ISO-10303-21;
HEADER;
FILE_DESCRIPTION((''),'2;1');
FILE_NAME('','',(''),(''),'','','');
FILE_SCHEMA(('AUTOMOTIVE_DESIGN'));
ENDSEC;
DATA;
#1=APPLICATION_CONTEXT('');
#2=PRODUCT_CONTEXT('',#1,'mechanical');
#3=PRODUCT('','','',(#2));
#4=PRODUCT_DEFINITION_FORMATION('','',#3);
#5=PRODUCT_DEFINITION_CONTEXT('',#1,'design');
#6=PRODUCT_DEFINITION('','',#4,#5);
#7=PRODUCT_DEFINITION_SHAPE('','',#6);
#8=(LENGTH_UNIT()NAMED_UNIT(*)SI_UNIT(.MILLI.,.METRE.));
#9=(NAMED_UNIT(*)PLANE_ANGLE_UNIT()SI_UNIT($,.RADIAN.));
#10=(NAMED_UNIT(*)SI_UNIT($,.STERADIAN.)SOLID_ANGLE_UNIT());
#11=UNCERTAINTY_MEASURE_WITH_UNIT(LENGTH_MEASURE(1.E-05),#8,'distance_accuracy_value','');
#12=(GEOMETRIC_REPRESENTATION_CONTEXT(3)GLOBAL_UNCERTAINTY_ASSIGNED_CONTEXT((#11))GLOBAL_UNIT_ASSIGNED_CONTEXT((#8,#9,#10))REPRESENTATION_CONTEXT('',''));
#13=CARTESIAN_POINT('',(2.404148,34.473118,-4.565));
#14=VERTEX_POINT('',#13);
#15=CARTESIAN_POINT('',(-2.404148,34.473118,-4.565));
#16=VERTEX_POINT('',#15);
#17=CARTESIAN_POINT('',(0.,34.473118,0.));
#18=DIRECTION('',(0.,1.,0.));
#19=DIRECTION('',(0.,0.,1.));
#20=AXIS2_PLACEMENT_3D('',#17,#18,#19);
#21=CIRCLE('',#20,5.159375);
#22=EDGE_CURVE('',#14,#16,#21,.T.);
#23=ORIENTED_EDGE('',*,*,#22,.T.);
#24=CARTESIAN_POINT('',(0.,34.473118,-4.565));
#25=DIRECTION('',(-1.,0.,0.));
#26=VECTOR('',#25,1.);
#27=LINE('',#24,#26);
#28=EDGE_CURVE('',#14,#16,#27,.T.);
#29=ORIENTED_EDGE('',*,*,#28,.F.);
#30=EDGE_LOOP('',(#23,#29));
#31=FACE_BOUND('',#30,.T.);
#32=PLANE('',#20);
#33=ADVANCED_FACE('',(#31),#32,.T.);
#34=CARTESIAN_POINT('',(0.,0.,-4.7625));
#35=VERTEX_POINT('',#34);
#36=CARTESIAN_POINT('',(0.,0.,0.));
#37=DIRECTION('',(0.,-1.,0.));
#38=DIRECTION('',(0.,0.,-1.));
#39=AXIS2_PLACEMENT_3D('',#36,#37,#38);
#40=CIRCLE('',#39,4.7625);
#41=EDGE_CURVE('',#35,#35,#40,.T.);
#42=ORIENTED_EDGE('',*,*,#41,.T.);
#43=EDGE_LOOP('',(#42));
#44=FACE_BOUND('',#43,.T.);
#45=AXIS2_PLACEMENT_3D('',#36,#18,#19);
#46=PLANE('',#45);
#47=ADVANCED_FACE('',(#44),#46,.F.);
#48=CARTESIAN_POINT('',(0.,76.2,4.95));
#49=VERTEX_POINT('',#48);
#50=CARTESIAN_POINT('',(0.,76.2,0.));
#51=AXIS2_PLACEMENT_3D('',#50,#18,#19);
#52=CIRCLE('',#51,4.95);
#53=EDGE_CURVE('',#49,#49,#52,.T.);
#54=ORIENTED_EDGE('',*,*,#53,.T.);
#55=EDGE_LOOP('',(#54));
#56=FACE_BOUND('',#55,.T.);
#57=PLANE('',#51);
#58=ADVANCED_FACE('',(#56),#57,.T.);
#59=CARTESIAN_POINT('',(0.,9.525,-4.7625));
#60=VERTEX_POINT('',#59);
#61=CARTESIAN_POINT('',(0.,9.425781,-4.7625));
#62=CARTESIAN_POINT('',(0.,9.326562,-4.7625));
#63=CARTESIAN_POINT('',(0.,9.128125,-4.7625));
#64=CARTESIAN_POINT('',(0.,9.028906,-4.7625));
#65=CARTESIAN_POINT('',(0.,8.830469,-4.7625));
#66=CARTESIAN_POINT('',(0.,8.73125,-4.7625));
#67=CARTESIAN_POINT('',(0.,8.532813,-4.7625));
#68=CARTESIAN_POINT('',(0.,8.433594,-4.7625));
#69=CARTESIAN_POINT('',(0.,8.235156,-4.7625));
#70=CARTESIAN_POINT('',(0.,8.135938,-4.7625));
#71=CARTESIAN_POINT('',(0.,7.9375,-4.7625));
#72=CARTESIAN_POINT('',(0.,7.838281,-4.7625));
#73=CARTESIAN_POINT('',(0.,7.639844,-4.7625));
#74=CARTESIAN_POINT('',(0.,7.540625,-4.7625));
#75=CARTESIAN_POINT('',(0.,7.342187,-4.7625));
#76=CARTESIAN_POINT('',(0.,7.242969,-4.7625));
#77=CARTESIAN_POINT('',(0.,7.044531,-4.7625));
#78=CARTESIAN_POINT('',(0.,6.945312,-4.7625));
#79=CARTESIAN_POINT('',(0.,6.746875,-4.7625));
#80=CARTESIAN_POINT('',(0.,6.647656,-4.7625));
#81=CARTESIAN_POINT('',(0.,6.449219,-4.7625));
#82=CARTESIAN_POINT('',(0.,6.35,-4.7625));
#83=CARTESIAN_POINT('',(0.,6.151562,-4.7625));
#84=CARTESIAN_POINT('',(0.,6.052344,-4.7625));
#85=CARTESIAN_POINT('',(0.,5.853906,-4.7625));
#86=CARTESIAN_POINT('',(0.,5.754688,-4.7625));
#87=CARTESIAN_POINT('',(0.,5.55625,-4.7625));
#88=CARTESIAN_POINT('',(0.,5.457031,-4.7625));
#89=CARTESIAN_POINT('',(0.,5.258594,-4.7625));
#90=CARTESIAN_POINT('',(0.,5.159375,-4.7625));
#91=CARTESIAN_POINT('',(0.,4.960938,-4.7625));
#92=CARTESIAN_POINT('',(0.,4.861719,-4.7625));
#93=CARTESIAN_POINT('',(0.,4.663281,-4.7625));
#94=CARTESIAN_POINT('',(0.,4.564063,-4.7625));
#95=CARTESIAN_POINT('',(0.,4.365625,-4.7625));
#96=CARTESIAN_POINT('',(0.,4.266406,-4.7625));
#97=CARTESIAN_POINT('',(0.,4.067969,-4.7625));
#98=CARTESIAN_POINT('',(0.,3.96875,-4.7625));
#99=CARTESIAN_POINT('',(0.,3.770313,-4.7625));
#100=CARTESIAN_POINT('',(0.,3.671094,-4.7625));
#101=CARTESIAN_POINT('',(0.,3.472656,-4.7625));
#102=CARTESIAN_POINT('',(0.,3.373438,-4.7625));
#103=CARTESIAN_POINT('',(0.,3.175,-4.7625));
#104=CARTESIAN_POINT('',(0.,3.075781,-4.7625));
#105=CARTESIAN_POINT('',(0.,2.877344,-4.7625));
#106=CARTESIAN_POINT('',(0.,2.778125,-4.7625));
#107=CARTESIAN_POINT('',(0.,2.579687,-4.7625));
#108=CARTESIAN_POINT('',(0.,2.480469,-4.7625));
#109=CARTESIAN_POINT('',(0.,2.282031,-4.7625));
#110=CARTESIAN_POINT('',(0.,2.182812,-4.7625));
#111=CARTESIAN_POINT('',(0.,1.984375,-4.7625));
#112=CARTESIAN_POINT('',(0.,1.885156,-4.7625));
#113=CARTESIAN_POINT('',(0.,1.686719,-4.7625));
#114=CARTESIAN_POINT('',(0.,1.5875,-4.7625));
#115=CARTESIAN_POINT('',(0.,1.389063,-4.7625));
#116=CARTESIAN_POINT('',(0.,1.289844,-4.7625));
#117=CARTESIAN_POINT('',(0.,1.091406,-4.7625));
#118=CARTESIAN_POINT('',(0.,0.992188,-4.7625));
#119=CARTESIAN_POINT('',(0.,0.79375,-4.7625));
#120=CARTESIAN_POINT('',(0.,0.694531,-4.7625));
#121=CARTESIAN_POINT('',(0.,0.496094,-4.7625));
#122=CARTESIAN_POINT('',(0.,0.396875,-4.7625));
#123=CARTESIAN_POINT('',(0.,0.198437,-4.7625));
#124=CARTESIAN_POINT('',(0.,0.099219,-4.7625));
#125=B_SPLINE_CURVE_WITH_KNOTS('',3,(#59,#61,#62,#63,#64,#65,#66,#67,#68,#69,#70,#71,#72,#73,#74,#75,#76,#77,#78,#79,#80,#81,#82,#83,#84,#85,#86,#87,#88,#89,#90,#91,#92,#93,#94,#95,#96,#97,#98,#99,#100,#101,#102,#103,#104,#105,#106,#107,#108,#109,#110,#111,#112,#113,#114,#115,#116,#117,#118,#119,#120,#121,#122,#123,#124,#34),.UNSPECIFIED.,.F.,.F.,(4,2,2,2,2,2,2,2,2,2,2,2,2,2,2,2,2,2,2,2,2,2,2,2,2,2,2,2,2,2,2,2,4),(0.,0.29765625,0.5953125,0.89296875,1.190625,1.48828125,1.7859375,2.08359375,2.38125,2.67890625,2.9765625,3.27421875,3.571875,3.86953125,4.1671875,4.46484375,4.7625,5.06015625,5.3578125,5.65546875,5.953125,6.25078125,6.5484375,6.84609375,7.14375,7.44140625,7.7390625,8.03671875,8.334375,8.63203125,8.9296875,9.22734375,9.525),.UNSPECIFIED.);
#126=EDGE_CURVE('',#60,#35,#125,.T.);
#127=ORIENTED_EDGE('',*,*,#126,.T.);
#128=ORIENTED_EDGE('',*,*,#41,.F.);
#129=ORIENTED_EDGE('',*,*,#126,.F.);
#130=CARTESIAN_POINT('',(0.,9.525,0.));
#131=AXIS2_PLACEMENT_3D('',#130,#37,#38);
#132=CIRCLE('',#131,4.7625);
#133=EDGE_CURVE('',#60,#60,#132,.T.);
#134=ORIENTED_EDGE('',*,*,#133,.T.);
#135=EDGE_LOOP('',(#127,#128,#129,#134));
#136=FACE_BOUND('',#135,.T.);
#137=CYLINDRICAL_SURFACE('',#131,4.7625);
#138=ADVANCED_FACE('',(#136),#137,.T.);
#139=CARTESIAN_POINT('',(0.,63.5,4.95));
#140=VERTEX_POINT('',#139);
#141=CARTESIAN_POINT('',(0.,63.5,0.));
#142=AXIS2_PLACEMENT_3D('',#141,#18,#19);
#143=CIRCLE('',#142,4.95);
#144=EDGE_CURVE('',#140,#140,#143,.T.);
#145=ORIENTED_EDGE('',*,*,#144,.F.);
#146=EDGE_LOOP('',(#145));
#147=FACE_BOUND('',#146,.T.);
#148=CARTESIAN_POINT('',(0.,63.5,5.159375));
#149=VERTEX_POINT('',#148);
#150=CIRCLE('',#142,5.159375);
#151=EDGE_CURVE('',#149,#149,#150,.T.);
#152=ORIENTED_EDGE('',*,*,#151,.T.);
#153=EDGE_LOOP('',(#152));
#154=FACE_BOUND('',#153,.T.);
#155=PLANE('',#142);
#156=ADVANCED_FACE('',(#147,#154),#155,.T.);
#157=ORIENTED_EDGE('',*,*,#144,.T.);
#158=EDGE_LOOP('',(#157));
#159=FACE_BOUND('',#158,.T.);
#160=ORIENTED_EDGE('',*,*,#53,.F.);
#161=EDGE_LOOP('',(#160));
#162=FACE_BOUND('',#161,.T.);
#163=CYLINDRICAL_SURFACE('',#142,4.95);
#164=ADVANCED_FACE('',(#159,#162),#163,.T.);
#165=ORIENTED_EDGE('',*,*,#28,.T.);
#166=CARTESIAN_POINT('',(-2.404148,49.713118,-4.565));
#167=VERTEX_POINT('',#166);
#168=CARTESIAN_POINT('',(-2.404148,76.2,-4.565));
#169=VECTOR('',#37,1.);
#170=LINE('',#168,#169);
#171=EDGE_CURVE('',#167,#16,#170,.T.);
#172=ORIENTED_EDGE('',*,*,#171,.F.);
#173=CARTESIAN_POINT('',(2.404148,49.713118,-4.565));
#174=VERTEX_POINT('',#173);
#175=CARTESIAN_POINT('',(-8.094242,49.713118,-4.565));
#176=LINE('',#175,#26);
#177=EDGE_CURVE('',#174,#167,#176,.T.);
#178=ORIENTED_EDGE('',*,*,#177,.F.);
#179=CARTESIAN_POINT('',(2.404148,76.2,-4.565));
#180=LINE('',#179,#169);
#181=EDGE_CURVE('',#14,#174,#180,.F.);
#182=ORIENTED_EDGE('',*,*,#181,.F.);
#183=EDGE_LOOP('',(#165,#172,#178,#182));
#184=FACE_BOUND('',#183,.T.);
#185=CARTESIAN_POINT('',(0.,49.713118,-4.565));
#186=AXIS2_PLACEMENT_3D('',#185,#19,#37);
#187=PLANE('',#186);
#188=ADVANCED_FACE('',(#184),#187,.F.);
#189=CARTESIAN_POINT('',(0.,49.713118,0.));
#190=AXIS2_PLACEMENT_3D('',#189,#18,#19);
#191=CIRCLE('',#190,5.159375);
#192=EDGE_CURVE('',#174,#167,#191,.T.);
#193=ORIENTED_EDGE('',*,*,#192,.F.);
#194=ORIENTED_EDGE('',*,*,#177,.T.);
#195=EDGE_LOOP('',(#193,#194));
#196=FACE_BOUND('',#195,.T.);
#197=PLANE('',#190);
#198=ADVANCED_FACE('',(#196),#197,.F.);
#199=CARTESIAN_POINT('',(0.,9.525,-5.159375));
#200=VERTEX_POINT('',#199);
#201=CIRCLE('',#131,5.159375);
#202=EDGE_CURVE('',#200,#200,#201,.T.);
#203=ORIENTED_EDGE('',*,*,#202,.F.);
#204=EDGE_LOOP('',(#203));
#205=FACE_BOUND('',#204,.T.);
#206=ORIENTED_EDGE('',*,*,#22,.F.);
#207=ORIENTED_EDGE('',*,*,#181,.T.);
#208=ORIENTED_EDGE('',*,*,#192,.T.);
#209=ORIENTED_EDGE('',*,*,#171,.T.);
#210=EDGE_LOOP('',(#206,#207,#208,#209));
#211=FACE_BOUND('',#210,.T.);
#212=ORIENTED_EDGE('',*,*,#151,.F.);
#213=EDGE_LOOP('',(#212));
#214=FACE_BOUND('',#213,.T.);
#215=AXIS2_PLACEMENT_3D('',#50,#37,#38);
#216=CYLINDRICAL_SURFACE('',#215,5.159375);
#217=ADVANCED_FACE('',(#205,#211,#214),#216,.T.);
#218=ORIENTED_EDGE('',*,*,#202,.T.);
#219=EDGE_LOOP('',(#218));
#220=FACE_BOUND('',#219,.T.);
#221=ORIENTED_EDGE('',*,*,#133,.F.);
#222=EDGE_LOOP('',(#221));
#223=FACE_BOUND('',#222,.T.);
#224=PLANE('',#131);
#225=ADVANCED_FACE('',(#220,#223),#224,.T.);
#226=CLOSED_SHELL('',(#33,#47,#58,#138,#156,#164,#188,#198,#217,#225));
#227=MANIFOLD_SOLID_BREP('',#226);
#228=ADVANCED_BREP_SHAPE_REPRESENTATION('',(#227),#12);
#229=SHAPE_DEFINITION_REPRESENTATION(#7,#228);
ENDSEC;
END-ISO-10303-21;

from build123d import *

# Parameters (mm, degrees)
SKETCH1_R           = 5.159375
BOSS_EXTRUDE1_DEPTH = 76.2
SKETCH2_R           = 5.582507509
SKETCH2_R_2         = 4.95
CUT_EXTRUDE1_DEPTH  = 12.7
CUT_EXTRUDE2_DEPTH  = 15.24
SKETCH5_R           = 6.855394903
SKETCH5_R_2         = 4.7625
CUT_EXTRUDE3_DEPTH  = 9.525


with BuildPart() as part:
    # Sketch1 → Boss-Extrude1 (new body)
    with BuildSketch(Plane(origin=(0, 0, 0), x_dir=(1, 0, 0), z_dir=(0, 1, 0))):
        with Locations(Location((0, 0, 0), (0, 0, 90))):
            Circle(SKETCH1_R)
    extrude(amount=BOSS_EXTRUDE1_DEPTH)

    # Sketch2 → Cut-Extrude1 (cut)
    with BuildSketch(Plane(origin=(0, 76.2, 0), x_dir=(1, 0, 0), z_dir=(0, 1, 0))):
        Circle(SKETCH2_R)
        with Locations(Location((0, 0, 0), (0, 0, 270))):
            Circle(SKETCH2_R_2, mode=Mode.SUBTRACT)
    extrude(amount=-CUT_EXTRUDE1_DEPTH, mode=Mode.SUBTRACT)

    # Sketch4 → Cut-Extrude2 (cut)
    with BuildSketch(Plane(origin=(4747.84892855, 34.473117596, 51.91521842), x_dir=(-1, 0, 0), z_dir=(0, -1, 0))):
        Polygon((4747.84892855, 56.48021842), (4739.672253117, 56.48021842), (4739.672253117, 59.680433841), (4755.943170737, 59.680433841), (4755.943170737, 56.48021842), align=None)
    extrude(amount=-CUT_EXTRUDE2_DEPTH, mode=Mode.SUBTRACT)

    # Sketch5 → Cut-Extrude3 (cut)
    with BuildSketch(Plane.XZ):
        Circle(SKETCH5_R)
        with Locations(Location((0, 0, 0), (0, 0, 270))):
            Circle(SKETCH5_R_2, mode=Mode.SUBTRACT)
    extrude(amount=-CUT_EXTRUDE3_DEPTH, mode=Mode.SUBTRACT)


solid = part.part
